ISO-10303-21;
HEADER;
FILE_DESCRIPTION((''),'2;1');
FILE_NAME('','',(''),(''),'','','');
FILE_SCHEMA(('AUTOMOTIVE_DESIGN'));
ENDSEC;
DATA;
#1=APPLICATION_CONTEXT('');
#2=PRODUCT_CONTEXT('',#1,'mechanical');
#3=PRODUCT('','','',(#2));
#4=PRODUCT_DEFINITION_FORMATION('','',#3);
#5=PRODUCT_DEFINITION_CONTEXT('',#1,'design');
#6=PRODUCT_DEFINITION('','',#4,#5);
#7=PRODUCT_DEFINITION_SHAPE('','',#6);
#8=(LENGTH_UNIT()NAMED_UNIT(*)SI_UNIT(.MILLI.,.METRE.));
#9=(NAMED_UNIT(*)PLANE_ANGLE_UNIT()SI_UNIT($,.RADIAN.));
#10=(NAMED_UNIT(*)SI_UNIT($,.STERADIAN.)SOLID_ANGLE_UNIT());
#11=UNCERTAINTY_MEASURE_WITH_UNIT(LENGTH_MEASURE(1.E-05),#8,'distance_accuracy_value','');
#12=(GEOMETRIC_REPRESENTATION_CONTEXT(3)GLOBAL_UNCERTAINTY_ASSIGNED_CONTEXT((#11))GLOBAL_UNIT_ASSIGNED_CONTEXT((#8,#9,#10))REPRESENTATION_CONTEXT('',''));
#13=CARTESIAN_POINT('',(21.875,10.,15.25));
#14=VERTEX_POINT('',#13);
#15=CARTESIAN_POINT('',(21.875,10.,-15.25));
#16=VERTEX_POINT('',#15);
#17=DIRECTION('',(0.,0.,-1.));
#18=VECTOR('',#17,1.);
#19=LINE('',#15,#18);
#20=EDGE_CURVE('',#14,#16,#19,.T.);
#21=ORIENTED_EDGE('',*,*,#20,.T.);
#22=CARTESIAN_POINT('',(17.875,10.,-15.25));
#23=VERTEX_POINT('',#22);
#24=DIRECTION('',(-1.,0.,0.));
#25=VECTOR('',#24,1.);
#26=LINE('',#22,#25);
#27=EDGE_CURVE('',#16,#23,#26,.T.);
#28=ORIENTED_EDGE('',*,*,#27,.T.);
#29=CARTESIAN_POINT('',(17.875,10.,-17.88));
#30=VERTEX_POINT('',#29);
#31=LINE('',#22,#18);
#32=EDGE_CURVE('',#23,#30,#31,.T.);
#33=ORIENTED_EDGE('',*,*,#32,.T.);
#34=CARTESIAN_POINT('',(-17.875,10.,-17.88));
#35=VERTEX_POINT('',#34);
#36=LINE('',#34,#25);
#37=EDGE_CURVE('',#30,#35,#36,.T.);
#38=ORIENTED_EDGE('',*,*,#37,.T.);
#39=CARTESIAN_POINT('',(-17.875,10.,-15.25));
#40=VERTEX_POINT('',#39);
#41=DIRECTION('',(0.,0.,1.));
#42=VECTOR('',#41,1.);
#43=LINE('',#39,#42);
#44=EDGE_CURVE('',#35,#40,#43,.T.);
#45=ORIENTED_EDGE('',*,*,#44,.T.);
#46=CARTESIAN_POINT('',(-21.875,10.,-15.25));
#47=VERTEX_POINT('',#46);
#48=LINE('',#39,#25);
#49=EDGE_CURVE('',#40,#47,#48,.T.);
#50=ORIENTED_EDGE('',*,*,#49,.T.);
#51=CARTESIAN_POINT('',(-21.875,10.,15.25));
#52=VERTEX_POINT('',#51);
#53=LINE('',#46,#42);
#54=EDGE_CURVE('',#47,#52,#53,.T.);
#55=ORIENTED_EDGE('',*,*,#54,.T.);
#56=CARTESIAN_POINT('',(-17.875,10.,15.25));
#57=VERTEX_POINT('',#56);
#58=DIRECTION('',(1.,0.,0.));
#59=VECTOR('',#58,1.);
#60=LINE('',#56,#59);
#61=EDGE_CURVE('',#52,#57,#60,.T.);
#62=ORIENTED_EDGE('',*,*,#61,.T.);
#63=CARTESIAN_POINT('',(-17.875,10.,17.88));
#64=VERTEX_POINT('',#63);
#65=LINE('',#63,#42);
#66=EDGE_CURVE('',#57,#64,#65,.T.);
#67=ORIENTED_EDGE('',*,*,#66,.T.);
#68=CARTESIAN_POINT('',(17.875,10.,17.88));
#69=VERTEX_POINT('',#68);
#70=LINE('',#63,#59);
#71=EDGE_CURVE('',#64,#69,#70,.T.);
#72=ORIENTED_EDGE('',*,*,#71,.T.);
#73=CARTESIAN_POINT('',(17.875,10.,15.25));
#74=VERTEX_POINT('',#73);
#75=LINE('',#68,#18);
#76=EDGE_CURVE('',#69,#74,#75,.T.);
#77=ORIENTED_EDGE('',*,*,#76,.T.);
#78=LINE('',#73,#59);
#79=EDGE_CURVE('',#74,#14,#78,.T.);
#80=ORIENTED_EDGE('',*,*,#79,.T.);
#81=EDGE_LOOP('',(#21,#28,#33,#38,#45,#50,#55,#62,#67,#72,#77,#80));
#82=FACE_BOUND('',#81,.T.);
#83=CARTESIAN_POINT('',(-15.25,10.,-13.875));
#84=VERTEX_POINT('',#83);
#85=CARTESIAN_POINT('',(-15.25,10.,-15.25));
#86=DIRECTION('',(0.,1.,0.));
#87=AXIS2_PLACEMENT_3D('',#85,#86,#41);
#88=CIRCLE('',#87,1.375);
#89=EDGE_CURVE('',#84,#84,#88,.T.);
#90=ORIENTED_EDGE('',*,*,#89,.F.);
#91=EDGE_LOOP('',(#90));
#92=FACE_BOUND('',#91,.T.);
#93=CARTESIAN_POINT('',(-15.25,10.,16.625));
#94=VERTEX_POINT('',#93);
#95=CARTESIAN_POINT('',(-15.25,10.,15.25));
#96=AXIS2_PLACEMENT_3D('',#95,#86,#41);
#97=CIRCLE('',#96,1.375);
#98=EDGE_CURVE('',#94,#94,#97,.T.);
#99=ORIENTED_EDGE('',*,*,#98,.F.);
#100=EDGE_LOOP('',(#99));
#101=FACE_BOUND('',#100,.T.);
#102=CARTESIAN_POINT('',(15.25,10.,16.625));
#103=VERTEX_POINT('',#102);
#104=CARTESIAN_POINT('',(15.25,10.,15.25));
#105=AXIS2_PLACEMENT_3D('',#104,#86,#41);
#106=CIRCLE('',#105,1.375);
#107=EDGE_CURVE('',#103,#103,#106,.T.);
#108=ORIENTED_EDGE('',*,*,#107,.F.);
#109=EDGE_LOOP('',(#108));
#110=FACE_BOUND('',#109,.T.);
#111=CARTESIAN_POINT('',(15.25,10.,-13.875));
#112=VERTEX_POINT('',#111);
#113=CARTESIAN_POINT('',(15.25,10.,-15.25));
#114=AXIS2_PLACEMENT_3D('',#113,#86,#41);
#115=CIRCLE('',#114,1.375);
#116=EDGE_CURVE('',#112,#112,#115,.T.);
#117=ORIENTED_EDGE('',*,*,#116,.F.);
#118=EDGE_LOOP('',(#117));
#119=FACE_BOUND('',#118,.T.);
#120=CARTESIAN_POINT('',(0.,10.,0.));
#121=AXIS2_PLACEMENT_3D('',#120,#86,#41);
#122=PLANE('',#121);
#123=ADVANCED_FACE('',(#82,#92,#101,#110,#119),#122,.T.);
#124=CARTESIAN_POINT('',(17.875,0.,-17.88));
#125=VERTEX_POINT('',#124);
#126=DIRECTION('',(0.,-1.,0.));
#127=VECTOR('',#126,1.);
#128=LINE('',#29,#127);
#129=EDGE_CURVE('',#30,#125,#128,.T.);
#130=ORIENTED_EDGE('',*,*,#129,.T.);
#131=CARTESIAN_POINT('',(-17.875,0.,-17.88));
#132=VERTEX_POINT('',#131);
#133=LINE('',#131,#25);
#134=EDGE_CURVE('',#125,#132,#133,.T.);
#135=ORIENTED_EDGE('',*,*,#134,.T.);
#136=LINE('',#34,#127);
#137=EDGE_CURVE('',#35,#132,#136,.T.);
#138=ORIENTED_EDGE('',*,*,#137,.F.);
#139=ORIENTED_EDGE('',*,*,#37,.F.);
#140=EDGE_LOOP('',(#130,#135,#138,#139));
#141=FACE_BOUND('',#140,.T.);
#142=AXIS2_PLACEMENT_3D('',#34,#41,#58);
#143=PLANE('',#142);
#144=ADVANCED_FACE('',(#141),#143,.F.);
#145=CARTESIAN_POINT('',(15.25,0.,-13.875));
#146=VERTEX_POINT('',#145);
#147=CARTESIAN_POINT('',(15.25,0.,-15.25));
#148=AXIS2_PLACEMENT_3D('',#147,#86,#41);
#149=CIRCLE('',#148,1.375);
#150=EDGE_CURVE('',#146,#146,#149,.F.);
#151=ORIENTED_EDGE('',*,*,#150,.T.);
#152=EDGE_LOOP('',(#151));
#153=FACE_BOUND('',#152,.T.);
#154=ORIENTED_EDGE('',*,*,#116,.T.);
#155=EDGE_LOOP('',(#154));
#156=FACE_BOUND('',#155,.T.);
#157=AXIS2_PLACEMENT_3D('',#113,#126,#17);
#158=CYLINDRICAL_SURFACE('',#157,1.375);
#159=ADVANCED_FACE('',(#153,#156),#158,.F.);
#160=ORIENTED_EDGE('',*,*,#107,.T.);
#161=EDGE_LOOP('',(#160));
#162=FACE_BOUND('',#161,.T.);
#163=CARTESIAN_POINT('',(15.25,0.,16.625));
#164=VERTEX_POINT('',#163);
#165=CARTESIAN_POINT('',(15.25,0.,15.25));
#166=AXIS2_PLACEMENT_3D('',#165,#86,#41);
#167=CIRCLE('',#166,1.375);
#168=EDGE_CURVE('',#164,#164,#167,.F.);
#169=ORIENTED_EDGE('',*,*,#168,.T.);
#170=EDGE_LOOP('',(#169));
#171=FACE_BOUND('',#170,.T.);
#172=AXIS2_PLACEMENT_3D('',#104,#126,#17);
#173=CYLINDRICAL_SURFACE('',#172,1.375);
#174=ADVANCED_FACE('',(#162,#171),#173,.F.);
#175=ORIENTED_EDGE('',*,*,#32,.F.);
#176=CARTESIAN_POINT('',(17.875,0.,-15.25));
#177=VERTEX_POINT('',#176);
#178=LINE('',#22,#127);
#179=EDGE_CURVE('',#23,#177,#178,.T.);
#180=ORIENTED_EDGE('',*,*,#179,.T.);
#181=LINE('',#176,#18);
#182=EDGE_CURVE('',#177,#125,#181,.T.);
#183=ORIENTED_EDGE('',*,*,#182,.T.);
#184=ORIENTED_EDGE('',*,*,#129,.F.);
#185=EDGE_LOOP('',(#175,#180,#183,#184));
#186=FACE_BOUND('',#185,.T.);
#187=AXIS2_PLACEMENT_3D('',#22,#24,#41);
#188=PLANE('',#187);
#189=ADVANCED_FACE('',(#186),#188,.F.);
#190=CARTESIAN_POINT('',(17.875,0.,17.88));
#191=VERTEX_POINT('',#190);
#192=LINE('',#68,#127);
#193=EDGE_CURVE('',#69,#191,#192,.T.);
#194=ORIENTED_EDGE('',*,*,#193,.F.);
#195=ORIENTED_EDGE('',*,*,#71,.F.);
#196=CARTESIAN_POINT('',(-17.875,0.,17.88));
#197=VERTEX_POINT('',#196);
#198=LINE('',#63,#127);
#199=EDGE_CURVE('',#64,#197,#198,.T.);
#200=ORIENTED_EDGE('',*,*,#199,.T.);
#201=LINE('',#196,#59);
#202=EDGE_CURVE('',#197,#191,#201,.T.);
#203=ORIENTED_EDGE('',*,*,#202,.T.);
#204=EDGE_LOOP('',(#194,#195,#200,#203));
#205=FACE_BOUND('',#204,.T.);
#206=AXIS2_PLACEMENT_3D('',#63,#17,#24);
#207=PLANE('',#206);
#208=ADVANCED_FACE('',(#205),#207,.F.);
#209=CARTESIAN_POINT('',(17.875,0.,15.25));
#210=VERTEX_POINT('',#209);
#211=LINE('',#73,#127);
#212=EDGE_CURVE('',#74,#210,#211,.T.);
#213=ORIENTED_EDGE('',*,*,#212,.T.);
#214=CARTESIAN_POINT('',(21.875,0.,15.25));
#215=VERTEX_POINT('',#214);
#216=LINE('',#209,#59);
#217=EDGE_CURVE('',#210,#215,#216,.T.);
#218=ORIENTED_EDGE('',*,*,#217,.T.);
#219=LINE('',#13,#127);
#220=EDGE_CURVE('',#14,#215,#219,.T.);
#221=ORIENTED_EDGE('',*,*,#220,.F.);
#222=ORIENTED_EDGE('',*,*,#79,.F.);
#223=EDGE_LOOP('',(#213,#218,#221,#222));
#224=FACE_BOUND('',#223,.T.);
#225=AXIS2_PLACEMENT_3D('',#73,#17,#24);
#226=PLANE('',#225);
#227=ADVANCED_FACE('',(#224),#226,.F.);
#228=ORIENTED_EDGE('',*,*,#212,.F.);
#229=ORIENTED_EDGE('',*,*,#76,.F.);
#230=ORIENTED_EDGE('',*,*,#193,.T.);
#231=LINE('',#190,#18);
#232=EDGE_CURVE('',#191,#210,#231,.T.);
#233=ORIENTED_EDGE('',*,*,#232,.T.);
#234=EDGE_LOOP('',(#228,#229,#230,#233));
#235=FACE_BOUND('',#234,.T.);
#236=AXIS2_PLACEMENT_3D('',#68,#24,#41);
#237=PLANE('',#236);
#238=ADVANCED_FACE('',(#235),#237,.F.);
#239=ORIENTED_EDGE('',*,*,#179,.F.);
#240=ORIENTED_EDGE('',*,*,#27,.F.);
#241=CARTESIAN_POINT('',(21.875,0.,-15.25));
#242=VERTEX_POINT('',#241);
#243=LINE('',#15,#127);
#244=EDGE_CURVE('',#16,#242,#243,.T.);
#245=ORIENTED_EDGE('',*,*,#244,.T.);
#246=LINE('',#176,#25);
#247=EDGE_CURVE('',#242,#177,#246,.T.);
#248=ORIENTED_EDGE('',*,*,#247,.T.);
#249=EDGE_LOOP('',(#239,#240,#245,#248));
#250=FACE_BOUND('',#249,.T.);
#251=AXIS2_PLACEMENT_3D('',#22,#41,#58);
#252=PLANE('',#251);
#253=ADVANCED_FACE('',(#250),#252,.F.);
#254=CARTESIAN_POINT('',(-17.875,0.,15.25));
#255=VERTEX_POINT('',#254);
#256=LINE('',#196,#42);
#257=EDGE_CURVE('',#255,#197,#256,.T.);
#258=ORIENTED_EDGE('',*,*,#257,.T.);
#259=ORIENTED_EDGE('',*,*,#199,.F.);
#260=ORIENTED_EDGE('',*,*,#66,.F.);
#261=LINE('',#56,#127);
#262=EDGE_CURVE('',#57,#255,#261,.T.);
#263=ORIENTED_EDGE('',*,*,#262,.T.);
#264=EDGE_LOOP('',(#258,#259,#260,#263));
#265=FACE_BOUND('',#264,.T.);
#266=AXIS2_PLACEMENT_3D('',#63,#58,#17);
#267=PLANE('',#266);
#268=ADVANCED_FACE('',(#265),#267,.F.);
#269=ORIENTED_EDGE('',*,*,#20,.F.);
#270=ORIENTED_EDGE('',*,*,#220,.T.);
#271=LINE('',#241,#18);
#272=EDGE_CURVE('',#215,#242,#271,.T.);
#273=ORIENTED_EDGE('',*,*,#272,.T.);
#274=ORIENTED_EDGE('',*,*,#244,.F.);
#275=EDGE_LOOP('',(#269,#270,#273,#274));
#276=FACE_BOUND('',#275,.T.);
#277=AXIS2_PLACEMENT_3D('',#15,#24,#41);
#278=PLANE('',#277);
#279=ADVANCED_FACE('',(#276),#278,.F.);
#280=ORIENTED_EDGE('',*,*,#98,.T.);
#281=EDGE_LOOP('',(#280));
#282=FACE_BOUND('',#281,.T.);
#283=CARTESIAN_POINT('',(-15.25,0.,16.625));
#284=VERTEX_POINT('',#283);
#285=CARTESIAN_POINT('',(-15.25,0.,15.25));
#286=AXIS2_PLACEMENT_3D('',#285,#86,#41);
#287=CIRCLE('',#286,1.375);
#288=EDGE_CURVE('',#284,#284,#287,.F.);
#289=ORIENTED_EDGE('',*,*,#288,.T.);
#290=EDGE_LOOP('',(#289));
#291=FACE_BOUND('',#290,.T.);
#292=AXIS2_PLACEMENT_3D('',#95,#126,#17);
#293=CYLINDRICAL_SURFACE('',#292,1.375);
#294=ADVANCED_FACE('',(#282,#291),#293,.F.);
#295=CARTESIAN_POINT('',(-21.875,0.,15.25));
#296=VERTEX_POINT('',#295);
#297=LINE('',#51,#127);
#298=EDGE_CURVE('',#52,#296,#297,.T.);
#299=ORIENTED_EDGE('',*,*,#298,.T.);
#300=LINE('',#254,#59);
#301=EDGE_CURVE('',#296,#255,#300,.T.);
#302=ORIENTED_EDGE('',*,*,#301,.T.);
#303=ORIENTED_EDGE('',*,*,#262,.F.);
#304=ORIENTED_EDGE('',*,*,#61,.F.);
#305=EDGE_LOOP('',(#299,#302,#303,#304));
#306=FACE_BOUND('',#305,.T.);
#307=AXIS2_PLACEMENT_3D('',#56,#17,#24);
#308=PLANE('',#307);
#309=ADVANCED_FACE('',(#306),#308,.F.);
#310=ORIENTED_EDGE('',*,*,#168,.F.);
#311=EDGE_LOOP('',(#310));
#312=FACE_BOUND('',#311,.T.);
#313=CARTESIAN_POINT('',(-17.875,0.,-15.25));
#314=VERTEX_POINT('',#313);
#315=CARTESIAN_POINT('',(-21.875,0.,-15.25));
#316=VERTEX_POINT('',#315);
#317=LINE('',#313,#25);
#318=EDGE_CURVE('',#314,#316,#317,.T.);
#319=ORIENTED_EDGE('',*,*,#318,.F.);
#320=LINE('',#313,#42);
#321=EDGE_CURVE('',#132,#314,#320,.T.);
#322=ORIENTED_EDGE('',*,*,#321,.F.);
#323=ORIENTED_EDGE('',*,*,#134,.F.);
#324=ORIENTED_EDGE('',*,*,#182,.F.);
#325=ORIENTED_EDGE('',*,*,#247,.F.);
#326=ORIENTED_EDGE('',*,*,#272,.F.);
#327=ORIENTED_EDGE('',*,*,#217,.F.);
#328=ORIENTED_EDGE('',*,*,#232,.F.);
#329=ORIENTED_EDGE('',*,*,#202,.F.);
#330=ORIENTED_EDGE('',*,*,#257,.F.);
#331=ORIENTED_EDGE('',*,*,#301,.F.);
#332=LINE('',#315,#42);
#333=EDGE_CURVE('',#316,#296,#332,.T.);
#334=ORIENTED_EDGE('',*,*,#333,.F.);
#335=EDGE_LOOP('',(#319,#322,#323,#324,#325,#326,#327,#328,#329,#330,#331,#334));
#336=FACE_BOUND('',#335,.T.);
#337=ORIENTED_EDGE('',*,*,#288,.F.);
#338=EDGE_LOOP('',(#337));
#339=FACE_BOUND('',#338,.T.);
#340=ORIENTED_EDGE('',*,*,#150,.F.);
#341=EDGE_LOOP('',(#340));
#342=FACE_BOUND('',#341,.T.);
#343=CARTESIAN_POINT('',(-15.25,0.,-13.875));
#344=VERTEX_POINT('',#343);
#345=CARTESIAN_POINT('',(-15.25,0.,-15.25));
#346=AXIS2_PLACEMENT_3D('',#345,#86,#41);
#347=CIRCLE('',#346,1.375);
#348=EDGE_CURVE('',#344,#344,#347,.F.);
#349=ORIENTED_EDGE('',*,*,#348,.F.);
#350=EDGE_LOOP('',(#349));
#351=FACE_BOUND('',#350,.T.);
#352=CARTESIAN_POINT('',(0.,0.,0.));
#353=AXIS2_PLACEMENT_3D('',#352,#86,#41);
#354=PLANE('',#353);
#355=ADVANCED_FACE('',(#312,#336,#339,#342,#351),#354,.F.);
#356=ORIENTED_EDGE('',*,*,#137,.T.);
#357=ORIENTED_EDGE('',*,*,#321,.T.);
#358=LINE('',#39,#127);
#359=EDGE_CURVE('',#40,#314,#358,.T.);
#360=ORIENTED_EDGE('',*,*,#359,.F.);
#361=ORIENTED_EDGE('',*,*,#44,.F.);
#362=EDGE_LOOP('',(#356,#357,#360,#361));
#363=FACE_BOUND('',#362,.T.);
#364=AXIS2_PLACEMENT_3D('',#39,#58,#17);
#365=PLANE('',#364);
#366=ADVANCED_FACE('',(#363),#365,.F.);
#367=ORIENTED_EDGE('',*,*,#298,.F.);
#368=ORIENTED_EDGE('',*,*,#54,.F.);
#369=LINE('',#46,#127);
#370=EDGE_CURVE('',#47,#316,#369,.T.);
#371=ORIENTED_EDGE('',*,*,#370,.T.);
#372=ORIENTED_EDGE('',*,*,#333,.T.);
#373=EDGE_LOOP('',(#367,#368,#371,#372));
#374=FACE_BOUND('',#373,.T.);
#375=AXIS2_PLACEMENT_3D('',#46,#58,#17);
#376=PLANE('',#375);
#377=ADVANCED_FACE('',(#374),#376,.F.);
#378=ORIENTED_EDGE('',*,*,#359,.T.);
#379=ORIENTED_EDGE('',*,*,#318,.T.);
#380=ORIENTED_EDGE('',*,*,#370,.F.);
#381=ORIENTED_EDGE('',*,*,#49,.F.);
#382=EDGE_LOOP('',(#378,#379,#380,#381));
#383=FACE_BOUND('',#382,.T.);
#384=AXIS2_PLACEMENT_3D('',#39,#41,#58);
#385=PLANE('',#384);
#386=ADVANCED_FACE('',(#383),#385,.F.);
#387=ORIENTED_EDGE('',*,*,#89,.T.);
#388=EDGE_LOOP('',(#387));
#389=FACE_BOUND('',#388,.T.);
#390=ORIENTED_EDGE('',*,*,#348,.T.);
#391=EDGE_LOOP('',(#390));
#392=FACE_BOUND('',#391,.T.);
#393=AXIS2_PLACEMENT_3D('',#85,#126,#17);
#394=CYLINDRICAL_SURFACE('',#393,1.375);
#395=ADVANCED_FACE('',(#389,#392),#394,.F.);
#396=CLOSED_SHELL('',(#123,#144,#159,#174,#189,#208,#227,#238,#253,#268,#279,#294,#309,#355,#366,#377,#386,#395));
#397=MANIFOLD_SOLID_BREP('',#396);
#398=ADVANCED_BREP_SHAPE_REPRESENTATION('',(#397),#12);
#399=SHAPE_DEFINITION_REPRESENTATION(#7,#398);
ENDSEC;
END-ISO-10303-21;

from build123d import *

# Parameters (mm, degrees)
BOSS_EXTRUDE1_DEPTH     = 10
CUT_EXTRUDE1_DEPTH      = 30.970152235
CUT_EXTRUDE1_DEPTH_BACK = 30.970152235
SKETCH1_R               = 1.375


with BuildPart() as part:
    # Sketch2 → Boss-Extrude1 (new body)
    with BuildSketch(Plane(origin=(0, 0, 0), x_dir=(1, 0, 0), z_dir=(0, 1, 0))):
        Polygon((17.875, 15.25), (21.875, 15.25), (21.875, -15.25), (17.875, -15.25), (17.875, -17.88), (-17.875, -17.88), (-17.875, -15.25), (-21.875, -15.25), (-21.875, 15.25), (-17.875, 15.25), (-17.875, 17.88), (17.875, 17.88), align=None)
    extrude(amount=BOSS_EXTRUDE1_DEPTH)

    # Sketch1 → Cut-Extrude1 (cut, two sides: drawn at the far end of the back side and taken through both)
    with BuildSketch(Plane(origin=(0, 0, 0), x_dir=(1, 0, 0), z_dir=(0, 1, 0)).offset(-CUT_EXTRUDE1_DEPTH_BACK)):
        with Locations(Location((-15.25, 15.25, 0), (0, 0, 270))):
            Circle(SKETCH1_R)
        with Locations(Location((15.25, 15.25, 0), (0, 0, 270))):
            Circle(SKETCH1_R)
        with Locations(Location((15.25, -15.25, 0), (0, 0, 270))):
            Circle(SKETCH1_R)
        with Locations(Location((-15.25, -15.25, 0), (0, 0, 270))):
            Circle(SKETCH1_R)
    extrude(amount=CUT_EXTRUDE1_DEPTH + CUT_EXTRUDE1_DEPTH_BACK, mode=Mode.SUBTRACT)


solid = part.part
